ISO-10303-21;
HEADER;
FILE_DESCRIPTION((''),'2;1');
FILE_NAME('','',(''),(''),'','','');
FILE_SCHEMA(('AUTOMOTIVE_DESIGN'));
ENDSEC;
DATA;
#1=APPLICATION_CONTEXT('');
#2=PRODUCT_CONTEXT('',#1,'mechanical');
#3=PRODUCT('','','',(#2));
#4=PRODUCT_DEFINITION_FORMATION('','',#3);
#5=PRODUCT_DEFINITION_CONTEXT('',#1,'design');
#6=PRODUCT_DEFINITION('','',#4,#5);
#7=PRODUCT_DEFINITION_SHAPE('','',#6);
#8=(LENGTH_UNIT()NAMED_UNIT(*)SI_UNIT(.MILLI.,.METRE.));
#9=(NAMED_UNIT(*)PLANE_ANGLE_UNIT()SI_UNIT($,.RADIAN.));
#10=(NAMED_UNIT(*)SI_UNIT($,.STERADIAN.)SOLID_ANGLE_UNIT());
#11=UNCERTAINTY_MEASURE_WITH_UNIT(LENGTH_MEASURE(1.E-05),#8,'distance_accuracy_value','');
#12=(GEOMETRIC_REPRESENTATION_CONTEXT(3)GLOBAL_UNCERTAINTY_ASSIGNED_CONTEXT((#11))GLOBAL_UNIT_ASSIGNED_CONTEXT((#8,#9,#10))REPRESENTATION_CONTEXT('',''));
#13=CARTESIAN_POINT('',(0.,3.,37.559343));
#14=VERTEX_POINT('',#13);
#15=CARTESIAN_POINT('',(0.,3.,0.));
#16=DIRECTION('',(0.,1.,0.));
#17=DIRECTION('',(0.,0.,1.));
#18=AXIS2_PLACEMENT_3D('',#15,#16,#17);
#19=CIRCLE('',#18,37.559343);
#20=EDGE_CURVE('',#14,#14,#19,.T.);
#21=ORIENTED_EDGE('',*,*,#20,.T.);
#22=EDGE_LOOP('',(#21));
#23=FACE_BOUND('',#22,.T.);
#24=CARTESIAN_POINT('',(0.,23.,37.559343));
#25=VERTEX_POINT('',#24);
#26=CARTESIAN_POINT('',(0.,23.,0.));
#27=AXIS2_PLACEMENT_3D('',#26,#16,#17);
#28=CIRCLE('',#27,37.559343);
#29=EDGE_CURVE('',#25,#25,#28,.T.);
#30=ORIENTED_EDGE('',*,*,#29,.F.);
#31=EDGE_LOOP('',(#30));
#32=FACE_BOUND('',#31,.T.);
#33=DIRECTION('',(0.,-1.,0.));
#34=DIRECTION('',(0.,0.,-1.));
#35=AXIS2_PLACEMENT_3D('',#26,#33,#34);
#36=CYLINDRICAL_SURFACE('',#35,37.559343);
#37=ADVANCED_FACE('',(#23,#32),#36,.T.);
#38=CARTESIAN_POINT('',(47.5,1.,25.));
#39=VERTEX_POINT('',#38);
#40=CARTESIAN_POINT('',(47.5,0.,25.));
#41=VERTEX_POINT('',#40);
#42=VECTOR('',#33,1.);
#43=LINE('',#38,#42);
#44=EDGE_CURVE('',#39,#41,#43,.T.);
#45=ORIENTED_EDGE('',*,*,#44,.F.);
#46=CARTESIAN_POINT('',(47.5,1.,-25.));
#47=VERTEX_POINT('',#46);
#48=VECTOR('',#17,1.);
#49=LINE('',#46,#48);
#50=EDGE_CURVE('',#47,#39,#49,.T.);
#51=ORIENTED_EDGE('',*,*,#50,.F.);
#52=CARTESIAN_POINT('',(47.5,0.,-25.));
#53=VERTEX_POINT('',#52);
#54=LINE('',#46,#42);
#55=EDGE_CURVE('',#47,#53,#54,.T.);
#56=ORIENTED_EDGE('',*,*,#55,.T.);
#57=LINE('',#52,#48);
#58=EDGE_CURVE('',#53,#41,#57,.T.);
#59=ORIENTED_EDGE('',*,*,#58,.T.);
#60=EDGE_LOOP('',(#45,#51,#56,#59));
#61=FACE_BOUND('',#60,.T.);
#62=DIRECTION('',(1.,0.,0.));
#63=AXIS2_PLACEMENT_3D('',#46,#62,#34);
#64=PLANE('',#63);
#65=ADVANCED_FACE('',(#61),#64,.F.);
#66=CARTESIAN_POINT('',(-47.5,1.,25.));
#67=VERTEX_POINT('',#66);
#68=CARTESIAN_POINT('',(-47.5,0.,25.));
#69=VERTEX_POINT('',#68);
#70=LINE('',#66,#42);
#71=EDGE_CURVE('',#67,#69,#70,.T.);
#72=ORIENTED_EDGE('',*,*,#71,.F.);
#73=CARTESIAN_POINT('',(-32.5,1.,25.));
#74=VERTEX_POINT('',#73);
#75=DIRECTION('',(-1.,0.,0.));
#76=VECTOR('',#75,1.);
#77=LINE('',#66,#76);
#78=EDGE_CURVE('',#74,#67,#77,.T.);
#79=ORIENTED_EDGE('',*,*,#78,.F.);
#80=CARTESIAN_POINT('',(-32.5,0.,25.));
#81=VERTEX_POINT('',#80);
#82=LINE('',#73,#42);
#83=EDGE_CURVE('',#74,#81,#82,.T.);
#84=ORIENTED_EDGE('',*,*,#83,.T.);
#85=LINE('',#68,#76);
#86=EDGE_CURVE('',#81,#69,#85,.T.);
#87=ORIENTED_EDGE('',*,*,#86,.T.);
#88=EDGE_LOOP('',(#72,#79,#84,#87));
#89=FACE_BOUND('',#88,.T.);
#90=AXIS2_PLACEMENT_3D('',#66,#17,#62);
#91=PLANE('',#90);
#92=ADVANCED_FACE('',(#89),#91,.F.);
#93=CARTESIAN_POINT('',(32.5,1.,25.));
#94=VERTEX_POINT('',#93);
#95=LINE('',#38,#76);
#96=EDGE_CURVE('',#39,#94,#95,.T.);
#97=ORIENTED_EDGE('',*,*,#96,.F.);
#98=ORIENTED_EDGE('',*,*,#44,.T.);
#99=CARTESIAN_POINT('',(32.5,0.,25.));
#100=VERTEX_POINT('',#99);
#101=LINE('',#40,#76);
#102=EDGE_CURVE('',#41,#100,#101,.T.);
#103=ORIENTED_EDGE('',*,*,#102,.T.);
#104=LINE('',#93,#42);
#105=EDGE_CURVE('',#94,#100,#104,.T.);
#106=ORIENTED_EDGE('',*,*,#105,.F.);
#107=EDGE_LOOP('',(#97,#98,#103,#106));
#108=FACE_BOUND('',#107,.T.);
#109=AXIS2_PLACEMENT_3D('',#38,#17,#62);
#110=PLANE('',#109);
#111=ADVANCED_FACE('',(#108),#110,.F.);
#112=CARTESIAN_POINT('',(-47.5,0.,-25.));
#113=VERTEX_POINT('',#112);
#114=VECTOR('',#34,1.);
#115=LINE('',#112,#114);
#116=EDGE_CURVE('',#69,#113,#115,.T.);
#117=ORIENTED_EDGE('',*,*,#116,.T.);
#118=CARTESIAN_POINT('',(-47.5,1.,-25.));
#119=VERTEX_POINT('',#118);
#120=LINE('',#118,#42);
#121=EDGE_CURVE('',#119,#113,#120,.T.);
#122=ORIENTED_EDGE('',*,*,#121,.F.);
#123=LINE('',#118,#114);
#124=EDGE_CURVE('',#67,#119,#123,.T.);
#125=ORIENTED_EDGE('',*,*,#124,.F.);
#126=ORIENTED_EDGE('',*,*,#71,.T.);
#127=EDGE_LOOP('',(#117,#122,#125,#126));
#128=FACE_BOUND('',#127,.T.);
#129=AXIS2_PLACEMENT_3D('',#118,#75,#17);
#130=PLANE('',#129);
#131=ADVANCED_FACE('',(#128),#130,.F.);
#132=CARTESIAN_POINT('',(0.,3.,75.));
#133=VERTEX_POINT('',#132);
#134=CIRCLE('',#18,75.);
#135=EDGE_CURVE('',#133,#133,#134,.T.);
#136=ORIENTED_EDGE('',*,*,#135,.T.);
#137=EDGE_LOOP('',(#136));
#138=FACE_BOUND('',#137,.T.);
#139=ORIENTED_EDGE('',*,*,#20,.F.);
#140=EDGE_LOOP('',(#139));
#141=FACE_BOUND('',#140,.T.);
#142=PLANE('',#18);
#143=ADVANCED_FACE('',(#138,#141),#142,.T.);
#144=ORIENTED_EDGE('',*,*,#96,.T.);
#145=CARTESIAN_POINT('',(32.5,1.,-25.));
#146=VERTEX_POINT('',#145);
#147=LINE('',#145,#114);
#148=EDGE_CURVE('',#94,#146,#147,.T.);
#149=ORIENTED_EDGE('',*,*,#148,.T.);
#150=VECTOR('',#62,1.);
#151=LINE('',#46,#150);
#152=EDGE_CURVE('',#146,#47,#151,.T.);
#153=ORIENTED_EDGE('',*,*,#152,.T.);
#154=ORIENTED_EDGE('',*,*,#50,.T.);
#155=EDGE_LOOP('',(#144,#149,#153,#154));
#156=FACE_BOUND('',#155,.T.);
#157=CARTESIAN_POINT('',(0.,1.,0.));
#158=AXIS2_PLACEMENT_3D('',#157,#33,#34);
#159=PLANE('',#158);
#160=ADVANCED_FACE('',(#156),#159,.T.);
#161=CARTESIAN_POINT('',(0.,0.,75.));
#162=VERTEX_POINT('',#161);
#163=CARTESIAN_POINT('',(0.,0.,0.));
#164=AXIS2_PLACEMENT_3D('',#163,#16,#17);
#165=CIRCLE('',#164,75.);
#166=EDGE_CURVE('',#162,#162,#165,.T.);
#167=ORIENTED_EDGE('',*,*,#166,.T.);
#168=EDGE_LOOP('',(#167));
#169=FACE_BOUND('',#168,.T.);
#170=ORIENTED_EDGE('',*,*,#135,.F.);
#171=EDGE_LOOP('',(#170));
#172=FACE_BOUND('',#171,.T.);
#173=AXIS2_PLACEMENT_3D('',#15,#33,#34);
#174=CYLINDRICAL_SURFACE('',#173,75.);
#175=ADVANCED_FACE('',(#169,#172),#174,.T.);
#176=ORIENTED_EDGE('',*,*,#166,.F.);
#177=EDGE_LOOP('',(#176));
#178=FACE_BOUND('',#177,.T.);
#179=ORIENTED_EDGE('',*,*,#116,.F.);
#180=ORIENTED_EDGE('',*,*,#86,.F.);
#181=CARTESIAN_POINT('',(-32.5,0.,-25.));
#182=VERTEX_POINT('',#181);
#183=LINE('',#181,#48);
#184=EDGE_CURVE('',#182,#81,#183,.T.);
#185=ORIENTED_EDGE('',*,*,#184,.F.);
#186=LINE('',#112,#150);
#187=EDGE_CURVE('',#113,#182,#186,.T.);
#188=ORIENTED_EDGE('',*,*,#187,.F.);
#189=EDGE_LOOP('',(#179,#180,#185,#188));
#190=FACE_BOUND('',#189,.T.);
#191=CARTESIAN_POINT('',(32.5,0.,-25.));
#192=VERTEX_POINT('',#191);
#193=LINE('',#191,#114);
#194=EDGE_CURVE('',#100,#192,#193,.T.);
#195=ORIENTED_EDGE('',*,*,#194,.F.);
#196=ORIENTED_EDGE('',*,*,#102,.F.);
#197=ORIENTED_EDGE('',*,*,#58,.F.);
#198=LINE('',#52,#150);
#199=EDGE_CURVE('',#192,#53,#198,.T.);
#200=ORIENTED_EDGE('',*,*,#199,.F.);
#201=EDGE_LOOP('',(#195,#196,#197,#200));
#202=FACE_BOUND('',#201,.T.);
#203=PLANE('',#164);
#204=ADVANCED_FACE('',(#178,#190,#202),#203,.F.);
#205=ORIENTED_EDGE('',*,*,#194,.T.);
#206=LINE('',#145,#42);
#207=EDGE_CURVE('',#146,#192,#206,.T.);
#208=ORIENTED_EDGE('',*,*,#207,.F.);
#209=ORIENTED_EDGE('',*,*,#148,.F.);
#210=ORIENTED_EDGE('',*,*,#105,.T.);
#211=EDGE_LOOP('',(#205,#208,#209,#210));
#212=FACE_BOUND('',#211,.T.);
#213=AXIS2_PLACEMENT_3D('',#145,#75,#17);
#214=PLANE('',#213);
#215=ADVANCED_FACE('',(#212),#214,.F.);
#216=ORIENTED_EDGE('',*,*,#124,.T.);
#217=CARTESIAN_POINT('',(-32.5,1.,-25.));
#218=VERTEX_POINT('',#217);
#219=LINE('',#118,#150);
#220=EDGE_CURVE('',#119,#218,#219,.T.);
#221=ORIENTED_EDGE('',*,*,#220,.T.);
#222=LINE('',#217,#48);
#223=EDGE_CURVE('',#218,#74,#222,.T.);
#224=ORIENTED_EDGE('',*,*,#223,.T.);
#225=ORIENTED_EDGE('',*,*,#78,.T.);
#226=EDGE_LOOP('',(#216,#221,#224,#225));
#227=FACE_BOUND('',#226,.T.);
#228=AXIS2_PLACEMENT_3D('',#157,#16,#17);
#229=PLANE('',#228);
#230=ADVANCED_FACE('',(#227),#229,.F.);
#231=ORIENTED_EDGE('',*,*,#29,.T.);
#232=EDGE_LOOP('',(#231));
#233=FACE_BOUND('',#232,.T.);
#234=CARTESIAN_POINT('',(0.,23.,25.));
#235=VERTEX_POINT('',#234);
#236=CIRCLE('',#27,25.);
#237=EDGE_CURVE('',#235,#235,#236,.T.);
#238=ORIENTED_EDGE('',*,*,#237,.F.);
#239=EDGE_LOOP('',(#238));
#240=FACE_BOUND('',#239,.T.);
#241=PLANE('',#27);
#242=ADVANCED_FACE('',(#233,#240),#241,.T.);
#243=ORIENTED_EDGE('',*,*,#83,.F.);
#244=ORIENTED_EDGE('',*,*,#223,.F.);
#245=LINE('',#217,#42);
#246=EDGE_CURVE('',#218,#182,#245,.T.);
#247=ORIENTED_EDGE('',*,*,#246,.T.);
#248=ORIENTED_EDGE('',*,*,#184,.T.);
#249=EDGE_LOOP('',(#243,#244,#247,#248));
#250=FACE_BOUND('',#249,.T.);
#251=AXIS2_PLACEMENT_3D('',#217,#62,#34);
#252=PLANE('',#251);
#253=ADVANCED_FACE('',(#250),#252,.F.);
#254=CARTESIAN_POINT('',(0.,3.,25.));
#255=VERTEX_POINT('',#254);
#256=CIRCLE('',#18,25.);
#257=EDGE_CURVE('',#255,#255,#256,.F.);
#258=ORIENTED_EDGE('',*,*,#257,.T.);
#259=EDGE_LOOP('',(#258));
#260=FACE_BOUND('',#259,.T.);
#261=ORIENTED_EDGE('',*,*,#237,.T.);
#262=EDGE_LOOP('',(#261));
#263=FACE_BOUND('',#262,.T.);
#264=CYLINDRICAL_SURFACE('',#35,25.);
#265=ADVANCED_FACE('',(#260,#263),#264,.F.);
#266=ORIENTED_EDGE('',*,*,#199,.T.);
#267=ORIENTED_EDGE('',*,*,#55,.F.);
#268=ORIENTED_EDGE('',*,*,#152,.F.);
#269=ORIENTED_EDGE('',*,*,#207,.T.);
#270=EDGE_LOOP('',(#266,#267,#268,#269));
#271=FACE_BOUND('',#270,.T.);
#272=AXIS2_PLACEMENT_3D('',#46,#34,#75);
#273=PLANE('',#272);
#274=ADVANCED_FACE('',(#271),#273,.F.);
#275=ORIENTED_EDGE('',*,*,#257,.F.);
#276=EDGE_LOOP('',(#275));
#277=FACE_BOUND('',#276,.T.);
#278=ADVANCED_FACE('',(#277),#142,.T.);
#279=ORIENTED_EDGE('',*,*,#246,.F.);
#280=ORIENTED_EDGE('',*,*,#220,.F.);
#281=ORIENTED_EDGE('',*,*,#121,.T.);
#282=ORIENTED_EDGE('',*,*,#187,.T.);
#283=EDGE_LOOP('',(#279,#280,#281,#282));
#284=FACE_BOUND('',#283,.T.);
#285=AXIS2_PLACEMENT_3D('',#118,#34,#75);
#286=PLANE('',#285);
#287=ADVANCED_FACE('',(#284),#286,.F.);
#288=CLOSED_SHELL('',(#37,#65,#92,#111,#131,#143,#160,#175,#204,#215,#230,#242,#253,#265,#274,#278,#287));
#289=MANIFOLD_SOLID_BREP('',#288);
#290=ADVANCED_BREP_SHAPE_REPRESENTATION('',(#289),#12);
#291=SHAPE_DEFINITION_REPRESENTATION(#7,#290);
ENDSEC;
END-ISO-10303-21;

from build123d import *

# Parameters (mm, degrees)
SKETCH1_R           = 75
BOSS_EXTRUDE1_DEPTH = 3
SKETCH2_W           = 15
SKETCH2_H           = 50
D_N_B_NG_D_NH_DEPTH = 1
SKETCH3_R           = 37.559343171
SKETCH3_R_2         = 25
G_N_V_NG_BI_DEPTH   = 20


with BuildPart() as part:
    # Sketch1 → Boss-Extrude1 (new body)
    with BuildSketch(Plane(origin=(0, 0, 0), x_dir=(1, 0, 0), z_dir=(0, 1, 0))):
        with Locations(Location((0, 0, 0), (0, 0, 270))):
            Circle(SKETCH1_R)
    extrude(amount=BOSS_EXTRUDE1_DEPTH)

    # Sketch2 → Dán Băng dính (cut)
    with BuildSketch(Plane.XZ):
        with Locations((-40, 0)):
            Rectangle(SKETCH2_W, SKETCH2_H)
        with Locations((40, 0)):
            Rectangle(SKETCH2_W, SKETCH2_H)
    extrude(amount=-D_N_B_NG_D_NH_DEPTH, mode=Mode.SUBTRACT)

    # Sketch3 → gắn vòng bi (add)
    with BuildSketch(Plane(origin=(0, 3, 0), x_dir=(1, 0, 0), z_dir=(0, 1, 0))):
        with Locations(Location((0, 0, 0), (0, 0, 270))):
            Circle(SKETCH3_R)
        with Locations(Location((0, 0, 0), (0, 0, 270))):
            Circle(SKETCH3_R_2, mode=Mode.SUBTRACT)
    extrude(amount=G_N_V_NG_BI_DEPTH)


solid = part.part
